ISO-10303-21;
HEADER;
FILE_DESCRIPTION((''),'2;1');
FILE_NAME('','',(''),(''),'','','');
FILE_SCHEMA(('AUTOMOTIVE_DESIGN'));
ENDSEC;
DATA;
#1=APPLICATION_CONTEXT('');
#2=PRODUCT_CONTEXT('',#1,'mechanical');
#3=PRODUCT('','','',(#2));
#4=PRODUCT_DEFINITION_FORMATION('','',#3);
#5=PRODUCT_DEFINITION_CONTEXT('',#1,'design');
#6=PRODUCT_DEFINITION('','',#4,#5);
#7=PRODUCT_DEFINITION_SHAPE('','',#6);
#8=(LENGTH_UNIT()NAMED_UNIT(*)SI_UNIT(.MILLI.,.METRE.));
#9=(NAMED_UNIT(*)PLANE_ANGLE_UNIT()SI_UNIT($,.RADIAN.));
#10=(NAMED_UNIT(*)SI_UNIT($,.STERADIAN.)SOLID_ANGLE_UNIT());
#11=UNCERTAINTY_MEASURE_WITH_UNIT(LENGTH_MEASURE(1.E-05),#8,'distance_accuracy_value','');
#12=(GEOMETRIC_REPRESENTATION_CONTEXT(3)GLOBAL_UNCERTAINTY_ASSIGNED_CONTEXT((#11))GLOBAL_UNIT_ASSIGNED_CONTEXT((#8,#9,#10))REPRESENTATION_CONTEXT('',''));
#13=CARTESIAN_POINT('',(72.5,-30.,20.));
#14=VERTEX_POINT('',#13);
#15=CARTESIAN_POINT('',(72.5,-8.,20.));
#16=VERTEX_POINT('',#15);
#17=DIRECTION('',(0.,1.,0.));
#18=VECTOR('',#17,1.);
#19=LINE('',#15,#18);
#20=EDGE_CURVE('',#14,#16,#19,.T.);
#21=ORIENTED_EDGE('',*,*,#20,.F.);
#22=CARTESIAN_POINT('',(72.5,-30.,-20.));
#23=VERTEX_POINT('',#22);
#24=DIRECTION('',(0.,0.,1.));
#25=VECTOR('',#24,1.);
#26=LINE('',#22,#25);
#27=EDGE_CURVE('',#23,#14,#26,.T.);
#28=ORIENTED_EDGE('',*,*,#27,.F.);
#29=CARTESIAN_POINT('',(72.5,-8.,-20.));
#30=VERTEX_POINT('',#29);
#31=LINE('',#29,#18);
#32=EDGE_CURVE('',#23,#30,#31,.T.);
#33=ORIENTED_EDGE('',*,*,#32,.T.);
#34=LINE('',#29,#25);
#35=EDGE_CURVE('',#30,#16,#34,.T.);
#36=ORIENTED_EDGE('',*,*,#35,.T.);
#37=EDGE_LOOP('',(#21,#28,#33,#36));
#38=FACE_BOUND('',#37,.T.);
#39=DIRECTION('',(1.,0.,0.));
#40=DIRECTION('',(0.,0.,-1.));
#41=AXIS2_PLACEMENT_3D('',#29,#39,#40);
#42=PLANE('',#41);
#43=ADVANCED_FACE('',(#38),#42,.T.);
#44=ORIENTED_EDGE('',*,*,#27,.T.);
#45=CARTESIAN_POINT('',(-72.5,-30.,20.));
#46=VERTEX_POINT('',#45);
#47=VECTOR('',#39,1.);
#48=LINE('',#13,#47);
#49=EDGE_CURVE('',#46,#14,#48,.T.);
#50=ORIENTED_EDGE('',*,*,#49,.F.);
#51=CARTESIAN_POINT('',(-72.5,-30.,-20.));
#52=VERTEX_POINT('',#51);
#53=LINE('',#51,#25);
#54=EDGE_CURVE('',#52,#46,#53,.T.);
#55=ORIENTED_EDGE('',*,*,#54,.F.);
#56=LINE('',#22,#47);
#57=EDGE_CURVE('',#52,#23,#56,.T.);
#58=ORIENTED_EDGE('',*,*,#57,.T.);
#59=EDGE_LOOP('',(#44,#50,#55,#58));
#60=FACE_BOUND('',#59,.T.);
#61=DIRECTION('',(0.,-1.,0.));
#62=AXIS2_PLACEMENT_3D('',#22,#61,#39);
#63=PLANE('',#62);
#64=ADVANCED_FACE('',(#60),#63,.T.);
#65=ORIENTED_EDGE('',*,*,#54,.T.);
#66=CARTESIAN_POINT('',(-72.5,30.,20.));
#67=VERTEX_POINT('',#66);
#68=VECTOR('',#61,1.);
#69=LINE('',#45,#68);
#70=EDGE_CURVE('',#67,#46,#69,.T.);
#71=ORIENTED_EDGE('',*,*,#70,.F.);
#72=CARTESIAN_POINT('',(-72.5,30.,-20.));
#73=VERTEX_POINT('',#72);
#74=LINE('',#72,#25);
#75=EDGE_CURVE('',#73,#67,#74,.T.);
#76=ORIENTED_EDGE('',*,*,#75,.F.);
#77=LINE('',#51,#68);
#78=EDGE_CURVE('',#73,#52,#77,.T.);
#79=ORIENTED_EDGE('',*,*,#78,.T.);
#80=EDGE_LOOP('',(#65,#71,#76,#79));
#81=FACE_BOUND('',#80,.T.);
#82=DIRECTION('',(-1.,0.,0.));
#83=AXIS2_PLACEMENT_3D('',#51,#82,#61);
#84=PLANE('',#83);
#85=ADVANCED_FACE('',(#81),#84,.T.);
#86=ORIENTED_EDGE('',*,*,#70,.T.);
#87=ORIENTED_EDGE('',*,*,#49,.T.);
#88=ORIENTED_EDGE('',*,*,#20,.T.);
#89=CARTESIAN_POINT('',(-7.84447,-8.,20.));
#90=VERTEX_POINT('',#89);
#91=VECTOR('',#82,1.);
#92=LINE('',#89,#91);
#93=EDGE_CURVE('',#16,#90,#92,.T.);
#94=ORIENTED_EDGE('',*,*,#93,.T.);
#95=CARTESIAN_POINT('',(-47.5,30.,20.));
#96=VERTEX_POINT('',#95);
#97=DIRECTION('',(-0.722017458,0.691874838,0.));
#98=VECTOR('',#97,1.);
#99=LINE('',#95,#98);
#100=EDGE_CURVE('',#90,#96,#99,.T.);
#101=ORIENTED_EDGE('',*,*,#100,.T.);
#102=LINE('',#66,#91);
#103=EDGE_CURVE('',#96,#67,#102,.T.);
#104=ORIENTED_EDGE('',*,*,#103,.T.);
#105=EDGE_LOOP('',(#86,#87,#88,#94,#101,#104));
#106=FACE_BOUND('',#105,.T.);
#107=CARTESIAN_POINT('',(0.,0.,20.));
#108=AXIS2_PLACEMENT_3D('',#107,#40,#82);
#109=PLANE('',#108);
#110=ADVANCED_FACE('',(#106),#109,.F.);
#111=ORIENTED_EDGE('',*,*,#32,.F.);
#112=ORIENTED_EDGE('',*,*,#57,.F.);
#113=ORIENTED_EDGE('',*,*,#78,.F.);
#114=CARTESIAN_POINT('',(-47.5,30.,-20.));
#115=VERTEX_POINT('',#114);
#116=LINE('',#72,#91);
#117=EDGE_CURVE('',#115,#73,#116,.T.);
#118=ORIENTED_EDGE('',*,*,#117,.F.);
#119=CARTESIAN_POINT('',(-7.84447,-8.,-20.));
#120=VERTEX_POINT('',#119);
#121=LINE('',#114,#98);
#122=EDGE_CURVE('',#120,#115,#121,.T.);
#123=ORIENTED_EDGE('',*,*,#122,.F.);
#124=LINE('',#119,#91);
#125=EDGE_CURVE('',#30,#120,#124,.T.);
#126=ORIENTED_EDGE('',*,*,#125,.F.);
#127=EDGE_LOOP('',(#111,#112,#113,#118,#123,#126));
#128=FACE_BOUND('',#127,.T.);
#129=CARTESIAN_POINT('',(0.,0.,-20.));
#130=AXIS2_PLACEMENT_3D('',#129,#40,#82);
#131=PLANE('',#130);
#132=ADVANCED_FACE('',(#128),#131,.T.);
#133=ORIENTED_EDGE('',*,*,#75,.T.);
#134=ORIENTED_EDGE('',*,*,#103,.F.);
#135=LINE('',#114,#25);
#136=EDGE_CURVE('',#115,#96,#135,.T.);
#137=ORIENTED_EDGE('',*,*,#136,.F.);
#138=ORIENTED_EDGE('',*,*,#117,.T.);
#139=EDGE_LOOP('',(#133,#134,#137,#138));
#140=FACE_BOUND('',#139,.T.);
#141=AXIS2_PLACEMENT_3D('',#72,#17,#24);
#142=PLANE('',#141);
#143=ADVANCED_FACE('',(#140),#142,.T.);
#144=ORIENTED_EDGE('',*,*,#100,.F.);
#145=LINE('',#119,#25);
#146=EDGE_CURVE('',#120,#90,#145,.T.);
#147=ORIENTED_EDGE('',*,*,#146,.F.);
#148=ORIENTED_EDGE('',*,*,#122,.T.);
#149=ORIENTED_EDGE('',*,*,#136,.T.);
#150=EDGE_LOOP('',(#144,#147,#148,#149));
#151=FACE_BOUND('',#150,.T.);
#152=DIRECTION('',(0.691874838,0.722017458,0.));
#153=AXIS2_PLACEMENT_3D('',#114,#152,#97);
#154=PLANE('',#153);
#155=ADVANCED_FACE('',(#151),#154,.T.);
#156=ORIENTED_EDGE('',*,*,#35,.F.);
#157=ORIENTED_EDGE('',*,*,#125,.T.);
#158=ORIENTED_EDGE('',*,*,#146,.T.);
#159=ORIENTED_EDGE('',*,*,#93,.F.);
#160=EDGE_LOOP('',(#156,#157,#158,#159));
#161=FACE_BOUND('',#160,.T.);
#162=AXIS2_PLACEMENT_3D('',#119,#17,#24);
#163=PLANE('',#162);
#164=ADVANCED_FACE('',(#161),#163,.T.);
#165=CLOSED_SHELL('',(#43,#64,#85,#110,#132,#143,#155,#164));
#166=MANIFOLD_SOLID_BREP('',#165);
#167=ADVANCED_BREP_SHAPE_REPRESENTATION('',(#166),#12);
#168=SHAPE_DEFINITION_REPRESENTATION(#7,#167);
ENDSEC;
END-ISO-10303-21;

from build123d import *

# Parameters (mm, degrees)
BOSS_EXTRUDE1_DEPTH      = 20
BOSS_EXTRUDE1_DEPTH_BACK = 20


with BuildPart() as part:
    # Sketch1 → Boss-Extrude1 (new, two sides: drawn at the far end of the back side and taken through both)
    with BuildSketch(Plane.XY.offset(-BOSS_EXTRUDE1_DEPTH_BACK)):
        Polygon((-72.5, 30), (-47.5, 30), (-7.844469981, -8), (72.5, -8), (72.5, -30), (-72.5, -30), align=None)
    extrude(amount=BOSS_EXTRUDE1_DEPTH + BOSS_EXTRUDE1_DEPTH_BACK)


solid = part.part
